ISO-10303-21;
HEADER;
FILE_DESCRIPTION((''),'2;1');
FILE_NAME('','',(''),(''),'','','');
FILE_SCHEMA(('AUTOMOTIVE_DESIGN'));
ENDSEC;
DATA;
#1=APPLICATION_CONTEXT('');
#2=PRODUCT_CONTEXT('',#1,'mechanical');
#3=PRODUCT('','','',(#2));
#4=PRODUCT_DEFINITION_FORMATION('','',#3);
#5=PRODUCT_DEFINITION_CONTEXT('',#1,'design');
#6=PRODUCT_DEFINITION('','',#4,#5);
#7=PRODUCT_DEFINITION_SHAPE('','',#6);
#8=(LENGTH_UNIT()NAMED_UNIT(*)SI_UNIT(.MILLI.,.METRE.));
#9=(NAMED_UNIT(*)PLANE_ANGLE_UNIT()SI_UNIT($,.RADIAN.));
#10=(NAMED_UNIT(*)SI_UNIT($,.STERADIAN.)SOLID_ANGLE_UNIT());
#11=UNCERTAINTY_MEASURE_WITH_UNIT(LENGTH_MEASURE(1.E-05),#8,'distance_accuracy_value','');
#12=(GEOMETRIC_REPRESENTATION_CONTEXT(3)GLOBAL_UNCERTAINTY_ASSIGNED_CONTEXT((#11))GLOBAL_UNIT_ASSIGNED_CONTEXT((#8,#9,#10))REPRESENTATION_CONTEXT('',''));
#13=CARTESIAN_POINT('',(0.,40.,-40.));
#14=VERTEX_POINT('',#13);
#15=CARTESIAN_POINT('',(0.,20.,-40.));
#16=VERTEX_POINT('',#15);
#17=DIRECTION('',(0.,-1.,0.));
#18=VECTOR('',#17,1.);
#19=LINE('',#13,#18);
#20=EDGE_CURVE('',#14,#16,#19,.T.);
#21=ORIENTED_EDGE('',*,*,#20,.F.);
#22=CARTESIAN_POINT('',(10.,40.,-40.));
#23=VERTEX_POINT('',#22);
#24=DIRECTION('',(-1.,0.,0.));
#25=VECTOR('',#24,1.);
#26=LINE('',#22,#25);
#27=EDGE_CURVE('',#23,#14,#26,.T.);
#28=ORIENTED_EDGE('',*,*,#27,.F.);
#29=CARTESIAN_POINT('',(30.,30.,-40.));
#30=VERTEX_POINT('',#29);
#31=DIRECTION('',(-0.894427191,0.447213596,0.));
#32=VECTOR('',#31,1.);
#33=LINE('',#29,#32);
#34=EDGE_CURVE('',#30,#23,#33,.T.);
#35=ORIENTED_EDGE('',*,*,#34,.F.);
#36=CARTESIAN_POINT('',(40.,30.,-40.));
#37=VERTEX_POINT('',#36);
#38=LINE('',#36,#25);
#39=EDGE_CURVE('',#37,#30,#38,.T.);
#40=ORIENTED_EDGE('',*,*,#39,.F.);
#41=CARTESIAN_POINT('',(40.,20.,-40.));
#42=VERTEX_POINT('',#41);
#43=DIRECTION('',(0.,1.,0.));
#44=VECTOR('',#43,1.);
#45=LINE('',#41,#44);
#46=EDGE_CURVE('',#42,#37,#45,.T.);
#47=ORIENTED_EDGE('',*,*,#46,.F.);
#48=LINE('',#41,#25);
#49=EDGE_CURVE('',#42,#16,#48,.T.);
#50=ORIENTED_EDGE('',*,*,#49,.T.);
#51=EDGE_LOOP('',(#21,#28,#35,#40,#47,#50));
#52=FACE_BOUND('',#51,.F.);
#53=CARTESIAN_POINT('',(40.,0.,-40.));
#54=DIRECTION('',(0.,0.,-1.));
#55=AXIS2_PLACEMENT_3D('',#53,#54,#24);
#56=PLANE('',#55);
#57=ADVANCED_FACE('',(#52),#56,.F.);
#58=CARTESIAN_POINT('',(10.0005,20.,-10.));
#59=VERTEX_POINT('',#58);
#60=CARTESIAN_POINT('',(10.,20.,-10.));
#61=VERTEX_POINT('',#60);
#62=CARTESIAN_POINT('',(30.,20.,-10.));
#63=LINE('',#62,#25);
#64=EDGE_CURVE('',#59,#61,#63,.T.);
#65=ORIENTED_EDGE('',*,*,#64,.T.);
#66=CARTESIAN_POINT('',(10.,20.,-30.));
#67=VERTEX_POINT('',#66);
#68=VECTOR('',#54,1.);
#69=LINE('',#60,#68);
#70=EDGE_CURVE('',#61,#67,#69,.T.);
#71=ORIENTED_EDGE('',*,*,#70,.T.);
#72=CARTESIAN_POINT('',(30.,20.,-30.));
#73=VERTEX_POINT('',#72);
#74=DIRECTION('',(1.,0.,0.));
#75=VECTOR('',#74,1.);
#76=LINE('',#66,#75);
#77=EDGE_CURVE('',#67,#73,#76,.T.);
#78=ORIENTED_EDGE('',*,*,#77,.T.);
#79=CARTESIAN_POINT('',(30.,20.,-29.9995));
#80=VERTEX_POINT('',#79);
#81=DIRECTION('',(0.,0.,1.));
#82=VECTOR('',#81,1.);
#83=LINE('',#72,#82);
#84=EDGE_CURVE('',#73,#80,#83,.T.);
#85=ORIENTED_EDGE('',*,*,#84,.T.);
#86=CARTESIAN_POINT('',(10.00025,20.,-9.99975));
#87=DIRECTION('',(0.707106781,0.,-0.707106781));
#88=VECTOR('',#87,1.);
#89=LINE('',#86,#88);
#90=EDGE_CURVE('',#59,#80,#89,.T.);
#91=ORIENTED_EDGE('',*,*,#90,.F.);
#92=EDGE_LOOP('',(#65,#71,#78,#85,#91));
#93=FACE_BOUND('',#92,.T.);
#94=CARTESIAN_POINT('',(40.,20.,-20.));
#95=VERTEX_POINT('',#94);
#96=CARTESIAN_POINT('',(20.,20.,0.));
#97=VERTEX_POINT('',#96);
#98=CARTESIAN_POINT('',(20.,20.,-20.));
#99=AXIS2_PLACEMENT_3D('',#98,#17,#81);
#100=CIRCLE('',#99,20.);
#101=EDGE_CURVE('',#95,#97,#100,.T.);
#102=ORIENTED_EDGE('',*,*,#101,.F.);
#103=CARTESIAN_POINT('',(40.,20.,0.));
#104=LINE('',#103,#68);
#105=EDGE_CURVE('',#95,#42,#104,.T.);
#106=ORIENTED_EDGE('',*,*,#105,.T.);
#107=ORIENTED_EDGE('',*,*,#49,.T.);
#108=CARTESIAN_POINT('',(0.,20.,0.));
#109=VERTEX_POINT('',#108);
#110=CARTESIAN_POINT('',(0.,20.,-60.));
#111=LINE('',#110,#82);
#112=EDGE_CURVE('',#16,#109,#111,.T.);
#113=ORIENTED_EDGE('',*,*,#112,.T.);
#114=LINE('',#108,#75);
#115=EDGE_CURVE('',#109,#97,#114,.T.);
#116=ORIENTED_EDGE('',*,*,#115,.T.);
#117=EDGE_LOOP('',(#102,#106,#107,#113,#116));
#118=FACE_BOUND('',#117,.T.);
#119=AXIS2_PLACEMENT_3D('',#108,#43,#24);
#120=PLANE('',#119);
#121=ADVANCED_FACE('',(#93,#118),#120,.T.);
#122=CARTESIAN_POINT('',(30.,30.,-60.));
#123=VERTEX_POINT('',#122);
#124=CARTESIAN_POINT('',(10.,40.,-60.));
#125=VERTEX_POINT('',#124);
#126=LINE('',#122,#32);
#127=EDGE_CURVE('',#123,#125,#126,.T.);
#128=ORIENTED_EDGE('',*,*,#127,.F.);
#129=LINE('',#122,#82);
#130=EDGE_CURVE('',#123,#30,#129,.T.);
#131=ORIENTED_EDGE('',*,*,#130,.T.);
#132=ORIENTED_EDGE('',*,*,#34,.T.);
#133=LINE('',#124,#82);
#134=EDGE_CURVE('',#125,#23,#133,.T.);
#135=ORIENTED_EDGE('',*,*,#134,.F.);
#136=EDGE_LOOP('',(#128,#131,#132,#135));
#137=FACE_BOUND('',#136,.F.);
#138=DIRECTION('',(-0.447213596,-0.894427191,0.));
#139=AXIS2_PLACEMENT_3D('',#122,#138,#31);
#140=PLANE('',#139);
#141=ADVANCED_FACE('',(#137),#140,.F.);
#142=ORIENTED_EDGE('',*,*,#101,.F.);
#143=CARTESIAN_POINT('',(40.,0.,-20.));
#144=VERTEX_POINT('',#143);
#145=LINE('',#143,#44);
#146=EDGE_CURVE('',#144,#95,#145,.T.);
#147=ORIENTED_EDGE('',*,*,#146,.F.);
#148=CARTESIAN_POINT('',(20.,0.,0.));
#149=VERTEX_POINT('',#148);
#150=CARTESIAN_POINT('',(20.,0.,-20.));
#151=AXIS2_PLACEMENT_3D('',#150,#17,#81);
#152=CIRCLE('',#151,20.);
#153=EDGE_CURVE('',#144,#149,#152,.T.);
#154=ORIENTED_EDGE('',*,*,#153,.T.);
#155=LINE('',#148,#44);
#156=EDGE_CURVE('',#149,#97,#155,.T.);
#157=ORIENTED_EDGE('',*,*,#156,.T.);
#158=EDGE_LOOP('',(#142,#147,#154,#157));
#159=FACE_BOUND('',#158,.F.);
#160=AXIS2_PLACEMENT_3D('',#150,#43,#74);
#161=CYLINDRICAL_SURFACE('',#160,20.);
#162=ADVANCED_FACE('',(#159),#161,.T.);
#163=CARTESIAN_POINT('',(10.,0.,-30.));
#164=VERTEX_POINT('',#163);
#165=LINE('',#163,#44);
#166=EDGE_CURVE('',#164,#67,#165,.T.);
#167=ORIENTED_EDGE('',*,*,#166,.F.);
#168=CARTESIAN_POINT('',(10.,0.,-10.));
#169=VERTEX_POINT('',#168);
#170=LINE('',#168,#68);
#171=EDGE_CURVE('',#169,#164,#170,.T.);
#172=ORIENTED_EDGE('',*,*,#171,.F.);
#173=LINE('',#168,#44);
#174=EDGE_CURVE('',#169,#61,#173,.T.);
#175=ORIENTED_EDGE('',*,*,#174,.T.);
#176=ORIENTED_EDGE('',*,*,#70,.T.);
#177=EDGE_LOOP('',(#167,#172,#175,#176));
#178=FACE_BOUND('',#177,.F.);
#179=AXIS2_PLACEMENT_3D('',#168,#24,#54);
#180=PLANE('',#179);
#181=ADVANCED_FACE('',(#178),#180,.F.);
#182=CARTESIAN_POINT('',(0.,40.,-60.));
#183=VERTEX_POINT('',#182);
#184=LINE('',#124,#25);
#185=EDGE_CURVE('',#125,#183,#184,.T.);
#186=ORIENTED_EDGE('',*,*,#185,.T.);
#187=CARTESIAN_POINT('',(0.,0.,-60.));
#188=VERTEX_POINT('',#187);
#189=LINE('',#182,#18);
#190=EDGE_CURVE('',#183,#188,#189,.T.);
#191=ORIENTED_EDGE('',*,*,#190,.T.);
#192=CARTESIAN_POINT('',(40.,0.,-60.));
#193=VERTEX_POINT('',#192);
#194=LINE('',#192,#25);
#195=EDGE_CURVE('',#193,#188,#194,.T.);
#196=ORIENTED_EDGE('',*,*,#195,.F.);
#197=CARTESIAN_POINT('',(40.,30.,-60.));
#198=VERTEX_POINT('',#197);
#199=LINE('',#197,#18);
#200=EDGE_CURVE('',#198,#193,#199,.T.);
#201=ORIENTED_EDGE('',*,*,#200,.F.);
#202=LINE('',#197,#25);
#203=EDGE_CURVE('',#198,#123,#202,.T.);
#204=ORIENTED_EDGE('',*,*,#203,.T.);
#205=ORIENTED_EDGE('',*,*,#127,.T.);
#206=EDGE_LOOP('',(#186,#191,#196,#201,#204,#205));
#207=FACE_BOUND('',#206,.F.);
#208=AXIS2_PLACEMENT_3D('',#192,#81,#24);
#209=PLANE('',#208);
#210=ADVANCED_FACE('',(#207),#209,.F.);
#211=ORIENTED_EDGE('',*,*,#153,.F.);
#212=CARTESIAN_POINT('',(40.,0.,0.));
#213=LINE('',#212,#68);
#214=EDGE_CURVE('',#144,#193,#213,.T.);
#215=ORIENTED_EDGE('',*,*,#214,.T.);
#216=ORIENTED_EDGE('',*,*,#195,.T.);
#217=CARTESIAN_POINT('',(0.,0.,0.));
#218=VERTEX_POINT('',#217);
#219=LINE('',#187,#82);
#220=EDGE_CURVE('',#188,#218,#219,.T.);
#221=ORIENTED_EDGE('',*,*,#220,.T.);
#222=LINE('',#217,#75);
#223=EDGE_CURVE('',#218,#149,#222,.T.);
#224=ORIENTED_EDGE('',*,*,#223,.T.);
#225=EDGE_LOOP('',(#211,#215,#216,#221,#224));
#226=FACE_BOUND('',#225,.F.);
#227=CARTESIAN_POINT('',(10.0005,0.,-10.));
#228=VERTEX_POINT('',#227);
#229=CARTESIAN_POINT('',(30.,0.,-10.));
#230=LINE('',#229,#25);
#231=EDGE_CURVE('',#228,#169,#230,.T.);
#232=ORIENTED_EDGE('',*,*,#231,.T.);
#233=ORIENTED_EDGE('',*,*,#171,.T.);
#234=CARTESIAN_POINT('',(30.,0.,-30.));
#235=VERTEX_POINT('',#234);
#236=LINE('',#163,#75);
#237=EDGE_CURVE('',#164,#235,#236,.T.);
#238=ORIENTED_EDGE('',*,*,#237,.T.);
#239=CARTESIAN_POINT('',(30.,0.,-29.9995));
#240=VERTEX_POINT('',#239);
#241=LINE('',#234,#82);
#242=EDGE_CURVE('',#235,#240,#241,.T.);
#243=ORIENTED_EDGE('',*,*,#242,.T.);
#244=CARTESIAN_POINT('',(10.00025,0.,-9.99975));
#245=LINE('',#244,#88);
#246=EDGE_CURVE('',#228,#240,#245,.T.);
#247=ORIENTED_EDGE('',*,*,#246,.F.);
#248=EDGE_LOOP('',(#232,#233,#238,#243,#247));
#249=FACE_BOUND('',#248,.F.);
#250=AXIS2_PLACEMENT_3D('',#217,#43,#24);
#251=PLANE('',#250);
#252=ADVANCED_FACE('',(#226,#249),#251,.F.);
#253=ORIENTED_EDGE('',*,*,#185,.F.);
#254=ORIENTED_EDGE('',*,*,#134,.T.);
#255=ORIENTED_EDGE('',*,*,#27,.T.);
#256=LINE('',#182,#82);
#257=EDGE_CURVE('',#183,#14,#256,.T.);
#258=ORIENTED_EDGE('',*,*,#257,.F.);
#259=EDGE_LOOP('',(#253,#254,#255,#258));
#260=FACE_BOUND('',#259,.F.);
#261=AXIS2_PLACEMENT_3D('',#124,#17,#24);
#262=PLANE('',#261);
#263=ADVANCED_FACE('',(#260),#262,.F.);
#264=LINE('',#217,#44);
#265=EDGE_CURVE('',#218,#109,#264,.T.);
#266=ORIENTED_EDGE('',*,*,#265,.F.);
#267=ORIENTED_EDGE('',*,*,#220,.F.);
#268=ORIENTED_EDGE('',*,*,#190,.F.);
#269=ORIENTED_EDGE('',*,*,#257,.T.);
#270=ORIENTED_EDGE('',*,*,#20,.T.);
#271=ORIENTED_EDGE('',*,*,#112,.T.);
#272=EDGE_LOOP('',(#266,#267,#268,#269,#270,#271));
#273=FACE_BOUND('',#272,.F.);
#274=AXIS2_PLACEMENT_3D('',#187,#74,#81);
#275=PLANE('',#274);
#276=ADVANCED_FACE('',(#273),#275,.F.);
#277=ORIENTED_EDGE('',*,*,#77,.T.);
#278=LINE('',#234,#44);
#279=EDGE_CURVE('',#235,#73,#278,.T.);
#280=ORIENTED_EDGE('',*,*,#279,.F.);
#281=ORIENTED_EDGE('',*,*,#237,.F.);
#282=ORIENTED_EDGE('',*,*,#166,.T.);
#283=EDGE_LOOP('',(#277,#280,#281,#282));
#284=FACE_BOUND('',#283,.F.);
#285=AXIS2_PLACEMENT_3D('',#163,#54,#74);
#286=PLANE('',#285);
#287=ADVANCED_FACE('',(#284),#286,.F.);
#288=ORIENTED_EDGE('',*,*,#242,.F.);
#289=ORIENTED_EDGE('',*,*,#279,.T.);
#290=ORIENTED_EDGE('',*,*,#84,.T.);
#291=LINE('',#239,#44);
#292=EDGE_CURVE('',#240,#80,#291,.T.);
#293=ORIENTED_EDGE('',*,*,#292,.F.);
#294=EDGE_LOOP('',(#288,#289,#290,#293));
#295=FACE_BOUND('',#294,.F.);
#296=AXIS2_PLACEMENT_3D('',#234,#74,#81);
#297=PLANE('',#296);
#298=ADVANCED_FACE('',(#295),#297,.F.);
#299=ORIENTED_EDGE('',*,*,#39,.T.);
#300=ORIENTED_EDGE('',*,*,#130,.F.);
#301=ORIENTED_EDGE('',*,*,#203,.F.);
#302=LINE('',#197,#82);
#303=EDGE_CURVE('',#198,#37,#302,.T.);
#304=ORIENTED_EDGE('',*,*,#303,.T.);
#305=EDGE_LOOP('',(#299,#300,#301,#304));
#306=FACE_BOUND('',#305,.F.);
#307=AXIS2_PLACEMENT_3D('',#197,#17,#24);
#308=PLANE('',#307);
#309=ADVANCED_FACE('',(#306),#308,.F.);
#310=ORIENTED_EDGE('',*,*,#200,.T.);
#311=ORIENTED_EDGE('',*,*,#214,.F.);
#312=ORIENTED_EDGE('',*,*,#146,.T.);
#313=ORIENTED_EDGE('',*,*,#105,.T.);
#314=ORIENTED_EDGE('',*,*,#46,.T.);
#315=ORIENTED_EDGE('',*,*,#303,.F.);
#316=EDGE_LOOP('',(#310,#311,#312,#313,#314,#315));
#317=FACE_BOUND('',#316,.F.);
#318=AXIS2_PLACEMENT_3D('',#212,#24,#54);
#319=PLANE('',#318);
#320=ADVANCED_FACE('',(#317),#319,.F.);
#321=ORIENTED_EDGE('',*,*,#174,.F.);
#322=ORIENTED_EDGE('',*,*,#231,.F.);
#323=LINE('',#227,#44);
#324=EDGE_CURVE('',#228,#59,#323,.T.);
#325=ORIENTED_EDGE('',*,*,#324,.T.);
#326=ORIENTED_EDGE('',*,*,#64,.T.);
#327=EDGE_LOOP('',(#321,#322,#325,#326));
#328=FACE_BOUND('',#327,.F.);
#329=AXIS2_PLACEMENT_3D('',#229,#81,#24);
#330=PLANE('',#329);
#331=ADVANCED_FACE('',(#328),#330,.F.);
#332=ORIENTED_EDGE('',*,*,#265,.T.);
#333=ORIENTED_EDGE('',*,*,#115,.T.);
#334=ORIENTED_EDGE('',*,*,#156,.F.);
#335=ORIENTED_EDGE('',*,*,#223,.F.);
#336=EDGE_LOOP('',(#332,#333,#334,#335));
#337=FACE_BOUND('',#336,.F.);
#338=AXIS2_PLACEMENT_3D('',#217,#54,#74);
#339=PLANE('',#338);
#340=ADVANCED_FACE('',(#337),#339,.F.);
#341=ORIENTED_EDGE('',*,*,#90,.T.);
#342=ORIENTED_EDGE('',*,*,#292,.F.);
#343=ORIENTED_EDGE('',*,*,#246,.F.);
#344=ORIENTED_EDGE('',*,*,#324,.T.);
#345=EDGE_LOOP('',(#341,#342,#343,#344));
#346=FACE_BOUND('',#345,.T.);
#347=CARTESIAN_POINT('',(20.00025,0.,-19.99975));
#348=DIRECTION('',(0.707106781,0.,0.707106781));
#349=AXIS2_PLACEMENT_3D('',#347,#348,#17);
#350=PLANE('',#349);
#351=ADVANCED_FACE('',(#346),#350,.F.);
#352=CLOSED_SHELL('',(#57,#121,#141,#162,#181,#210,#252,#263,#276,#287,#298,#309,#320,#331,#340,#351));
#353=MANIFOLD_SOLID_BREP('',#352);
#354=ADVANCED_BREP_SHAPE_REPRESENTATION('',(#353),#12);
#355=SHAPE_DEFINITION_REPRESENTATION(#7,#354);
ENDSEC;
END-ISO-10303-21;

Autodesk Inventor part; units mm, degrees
ref_plane "YZ Plane" through (0, 0, 0) normal (1, 0, 0) x (0, 1, 0)
ref_plane "XZ Plane" through (0, 0, 0) normal (0, 1, 0) x (-1, 0, 0)
ref_plane "XY Plane" through (0, 0, 0) normal (0, 0, 1) x (1, 0, 0)
sketch "草圖1" plane through (0, 0, 0) normal (0, 1, 0) x (-1, 0, 0)
  line L0 (0, 0) -> (-40, 0)
  line L1 (-40, 0) -> (-40, -60)
  line L2 (-40, -60) -> (0, -60)
  line L3 (0, -60) -> (0, 0)
  line L4 (-10, -30) -> (-30, -30)
  line L5 (-30, -30) -> (-30, -10)
  line L6 (-30, -10) -> (-10, -10)
  line L7 (-10, -10) -> (-10, -30)
  dimension "d0" = 10
  dimension "d1" = 10
  dimension "d2" = 20
  dimension "d3" = 60
  dimension "d4" = 20
  dimension "d5" = 10
extrude "擠出1" add sketch "草圖1" along normal blind 20
sketch "草圖2" plane through (40, 0, -60) normal (0, 0, -1) x (-1, 0, 0)
  line L0 (0, 20) -> (40, 20) projected
  line L1 (40, 20) -> (0, 20) projected
  line L2 (0, 20) -> (0, 30)
  line L3 (0, 30) -> (10, 30)
  line L4 (10, 30) -> (30, 40)
  line L5 (30, 40) -> (40, 40)
  line L6 (40, 40) -> (40, 20)
  point P0 (40, 0)
  dimension "d8" = 10
  dimension "d9" = 10
  dimension "d10" = 20
  dimension "d11" = 20
extrude "擠出2" add sketch "草圖2" against normal blind 20
chamfer "倒角1" distance 20 angle 45 1 edges at (30, 10, -10)
fillet "圓角1" radius 20 1 edges at (40, 10, 0)
properties part number "37"
